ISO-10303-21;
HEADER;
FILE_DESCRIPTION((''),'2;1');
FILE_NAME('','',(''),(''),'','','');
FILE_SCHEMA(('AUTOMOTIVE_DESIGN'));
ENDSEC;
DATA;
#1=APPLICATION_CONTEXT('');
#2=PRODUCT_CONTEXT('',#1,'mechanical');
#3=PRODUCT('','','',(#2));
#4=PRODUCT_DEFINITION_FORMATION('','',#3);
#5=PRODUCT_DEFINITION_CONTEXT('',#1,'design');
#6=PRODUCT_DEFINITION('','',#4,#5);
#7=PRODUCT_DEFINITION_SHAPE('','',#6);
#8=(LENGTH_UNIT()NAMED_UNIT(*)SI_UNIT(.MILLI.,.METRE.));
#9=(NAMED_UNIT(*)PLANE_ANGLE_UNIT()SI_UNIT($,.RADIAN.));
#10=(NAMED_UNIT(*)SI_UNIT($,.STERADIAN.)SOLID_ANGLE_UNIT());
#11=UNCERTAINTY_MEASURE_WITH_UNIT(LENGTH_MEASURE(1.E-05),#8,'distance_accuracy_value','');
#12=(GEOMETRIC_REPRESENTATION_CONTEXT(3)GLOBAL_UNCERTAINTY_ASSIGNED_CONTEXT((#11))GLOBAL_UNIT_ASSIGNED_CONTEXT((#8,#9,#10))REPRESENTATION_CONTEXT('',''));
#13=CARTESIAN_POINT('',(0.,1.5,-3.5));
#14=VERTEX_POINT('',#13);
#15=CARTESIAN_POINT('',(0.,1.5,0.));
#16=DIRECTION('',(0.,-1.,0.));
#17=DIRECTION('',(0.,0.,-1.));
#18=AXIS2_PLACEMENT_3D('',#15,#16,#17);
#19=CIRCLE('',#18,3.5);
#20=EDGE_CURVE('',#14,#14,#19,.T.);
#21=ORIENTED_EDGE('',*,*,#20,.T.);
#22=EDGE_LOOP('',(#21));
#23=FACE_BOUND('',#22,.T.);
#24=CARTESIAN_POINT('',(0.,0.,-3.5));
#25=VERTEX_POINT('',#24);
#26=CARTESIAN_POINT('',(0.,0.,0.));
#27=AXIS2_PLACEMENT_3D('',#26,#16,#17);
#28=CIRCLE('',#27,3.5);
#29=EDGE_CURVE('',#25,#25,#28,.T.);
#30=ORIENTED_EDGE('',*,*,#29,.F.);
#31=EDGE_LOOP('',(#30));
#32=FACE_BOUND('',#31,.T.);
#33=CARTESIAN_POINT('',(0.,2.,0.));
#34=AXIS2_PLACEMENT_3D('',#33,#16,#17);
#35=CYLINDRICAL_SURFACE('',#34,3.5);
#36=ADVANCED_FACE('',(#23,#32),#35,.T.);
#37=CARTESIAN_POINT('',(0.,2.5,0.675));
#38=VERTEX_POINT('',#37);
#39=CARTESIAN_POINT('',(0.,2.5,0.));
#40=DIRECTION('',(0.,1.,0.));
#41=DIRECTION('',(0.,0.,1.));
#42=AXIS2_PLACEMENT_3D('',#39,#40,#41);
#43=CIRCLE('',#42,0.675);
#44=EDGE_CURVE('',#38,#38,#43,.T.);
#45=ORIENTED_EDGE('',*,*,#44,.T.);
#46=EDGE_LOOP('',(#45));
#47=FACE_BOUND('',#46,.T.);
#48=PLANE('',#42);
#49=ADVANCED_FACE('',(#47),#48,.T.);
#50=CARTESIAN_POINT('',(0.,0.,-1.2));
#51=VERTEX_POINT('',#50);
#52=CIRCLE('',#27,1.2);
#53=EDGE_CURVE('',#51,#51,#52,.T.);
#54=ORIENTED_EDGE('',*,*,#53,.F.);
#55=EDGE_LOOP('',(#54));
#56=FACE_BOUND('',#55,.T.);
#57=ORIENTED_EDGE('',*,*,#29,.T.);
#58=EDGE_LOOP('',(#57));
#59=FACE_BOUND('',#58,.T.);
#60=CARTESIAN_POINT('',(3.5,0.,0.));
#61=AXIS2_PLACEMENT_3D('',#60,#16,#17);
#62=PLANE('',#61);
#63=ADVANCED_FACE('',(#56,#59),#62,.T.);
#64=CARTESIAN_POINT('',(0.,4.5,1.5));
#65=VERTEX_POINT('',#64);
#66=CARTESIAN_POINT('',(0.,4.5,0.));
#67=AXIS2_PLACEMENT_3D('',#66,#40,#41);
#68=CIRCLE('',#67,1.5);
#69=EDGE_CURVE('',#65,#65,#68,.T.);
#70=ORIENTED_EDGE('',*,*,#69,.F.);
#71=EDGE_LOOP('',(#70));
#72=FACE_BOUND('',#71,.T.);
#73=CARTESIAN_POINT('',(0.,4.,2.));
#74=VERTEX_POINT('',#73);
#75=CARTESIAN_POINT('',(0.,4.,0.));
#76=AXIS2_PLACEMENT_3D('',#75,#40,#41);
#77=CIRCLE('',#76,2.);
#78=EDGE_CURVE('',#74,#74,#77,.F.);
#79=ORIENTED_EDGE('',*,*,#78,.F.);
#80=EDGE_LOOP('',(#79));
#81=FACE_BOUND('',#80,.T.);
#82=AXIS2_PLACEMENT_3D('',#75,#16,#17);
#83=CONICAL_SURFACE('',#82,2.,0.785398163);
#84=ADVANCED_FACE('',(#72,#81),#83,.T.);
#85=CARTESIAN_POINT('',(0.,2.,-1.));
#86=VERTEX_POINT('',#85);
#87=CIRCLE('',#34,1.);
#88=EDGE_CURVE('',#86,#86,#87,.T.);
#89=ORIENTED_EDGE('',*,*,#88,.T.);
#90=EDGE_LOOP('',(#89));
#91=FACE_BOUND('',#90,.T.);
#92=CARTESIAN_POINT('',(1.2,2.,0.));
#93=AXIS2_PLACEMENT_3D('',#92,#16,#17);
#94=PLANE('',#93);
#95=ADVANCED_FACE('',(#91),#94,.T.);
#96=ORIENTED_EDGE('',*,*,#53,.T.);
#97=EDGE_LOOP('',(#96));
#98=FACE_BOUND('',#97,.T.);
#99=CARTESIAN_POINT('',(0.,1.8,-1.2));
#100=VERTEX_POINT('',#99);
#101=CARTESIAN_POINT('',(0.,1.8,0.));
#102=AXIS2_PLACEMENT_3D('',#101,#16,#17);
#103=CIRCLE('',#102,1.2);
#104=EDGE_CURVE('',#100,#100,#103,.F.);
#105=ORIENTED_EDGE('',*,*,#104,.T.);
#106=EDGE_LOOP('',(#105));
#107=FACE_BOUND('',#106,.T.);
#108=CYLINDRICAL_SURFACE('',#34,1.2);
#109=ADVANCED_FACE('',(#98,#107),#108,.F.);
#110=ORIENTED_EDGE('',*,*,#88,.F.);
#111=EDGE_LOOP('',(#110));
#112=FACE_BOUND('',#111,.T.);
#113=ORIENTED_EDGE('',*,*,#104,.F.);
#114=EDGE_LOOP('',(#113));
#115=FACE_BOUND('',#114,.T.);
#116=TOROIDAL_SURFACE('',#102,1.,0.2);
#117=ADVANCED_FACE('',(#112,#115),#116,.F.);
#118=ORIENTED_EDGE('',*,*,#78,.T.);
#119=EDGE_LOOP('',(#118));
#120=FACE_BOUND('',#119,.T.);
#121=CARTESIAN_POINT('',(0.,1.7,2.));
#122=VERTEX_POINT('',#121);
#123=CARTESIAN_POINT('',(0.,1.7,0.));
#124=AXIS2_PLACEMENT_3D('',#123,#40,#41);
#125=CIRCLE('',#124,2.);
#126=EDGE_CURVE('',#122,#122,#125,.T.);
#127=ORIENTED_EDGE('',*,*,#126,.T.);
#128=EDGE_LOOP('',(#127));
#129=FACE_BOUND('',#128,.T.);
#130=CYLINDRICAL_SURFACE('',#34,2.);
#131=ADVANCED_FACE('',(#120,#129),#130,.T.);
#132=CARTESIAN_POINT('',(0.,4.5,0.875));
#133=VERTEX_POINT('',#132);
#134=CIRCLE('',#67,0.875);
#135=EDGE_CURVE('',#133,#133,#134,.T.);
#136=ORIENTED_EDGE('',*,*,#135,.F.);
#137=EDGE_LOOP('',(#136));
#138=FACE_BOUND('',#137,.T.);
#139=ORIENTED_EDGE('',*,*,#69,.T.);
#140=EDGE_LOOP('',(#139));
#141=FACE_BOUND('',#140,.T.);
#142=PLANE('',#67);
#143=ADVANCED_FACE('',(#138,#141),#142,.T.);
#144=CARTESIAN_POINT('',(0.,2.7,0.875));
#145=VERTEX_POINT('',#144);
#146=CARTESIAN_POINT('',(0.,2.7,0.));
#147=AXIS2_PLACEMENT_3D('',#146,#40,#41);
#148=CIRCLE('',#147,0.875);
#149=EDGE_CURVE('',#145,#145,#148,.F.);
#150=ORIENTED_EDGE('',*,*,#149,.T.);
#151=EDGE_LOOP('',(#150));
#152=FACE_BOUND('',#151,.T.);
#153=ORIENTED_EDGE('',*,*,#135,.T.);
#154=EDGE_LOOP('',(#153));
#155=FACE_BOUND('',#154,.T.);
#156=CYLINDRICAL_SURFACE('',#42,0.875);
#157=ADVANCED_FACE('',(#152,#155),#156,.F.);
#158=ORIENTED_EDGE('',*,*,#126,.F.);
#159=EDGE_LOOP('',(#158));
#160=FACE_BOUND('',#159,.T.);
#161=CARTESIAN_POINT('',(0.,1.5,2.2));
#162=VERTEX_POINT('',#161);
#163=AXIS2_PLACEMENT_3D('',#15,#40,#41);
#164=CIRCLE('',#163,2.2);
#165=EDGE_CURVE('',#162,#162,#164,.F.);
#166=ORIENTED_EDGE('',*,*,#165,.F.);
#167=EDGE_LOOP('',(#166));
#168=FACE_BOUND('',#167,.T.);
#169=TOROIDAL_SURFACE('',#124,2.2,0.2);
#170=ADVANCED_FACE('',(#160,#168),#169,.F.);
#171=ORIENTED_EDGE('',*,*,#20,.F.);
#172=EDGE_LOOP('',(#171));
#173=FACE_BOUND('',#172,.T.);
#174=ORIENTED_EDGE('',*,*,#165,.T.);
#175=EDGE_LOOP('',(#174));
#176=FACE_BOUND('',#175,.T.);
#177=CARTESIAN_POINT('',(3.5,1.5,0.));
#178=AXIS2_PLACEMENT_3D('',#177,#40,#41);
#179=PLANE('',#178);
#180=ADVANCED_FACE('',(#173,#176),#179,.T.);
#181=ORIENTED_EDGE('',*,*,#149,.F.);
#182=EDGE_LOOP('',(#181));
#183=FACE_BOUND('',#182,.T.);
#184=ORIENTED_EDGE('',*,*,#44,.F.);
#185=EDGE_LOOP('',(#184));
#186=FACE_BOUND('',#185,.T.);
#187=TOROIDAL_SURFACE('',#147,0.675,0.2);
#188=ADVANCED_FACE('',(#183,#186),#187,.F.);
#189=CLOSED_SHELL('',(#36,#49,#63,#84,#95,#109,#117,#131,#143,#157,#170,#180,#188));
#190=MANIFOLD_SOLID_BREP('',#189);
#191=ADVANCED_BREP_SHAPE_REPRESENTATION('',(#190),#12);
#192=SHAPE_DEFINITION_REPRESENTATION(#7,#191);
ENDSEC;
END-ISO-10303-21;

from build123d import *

# Parameters (mm, degrees)
SKETCH3_R          = 0.875
CUT_EXTRUDE1_DEPTH = 2
CHAMFER1_SIZE      = 0.5
FILLET1_R          = 0.2
FILLET2_R          = 0.2


with BuildPart() as part:
    # Sketch2 → Revolve1 (revolve)
    with BuildSketch(Plane.XY):
        Polygon((0, 2), (0, 4.5), (2, 4.5), (2, 1.5), (3.5, 1.5), (3.5, 0), (1.2, 0), (1.2, 2), align=None)
    revolve(axis=Axis((0, 2, 0), (0, 1, 0)))

    # Sketch3 → Cut-Extrude1 (cut)
    with BuildSketch(Plane(origin=(0, 4.5, 0), x_dir=(1, 0, 0), z_dir=(0, 1, 0))):
        Circle(SKETCH3_R)
    extrude(amount=-CUT_EXTRUDE1_DEPTH, mode=Mode.SUBTRACT)

    # Chamfer1
    chamfer1_edges = [part.edges().sort_by_distance(p)[0] for p in [
        (-2, 4.5, 0),
    ]]
    chamfer(chamfer1_edges, length=CHAMFER1_SIZE)

    # Fillet1
    fillet1_edges = [part.edges().sort_by_distance(p)[0] for p in [
        (-2, 1.5, 0),
    ]]
    fillet(fillet1_edges, radius=FILLET1_R)

    # Fillet2
    fillet2_edges = [part.edges().sort_by_distance(p)[0] for p in [
        (-0.875, 2.5, 0),
        (-1.2, 2, 0),
    ]]
    fillet(fillet2_edges, radius=FILLET2_R)


solid = part.part
